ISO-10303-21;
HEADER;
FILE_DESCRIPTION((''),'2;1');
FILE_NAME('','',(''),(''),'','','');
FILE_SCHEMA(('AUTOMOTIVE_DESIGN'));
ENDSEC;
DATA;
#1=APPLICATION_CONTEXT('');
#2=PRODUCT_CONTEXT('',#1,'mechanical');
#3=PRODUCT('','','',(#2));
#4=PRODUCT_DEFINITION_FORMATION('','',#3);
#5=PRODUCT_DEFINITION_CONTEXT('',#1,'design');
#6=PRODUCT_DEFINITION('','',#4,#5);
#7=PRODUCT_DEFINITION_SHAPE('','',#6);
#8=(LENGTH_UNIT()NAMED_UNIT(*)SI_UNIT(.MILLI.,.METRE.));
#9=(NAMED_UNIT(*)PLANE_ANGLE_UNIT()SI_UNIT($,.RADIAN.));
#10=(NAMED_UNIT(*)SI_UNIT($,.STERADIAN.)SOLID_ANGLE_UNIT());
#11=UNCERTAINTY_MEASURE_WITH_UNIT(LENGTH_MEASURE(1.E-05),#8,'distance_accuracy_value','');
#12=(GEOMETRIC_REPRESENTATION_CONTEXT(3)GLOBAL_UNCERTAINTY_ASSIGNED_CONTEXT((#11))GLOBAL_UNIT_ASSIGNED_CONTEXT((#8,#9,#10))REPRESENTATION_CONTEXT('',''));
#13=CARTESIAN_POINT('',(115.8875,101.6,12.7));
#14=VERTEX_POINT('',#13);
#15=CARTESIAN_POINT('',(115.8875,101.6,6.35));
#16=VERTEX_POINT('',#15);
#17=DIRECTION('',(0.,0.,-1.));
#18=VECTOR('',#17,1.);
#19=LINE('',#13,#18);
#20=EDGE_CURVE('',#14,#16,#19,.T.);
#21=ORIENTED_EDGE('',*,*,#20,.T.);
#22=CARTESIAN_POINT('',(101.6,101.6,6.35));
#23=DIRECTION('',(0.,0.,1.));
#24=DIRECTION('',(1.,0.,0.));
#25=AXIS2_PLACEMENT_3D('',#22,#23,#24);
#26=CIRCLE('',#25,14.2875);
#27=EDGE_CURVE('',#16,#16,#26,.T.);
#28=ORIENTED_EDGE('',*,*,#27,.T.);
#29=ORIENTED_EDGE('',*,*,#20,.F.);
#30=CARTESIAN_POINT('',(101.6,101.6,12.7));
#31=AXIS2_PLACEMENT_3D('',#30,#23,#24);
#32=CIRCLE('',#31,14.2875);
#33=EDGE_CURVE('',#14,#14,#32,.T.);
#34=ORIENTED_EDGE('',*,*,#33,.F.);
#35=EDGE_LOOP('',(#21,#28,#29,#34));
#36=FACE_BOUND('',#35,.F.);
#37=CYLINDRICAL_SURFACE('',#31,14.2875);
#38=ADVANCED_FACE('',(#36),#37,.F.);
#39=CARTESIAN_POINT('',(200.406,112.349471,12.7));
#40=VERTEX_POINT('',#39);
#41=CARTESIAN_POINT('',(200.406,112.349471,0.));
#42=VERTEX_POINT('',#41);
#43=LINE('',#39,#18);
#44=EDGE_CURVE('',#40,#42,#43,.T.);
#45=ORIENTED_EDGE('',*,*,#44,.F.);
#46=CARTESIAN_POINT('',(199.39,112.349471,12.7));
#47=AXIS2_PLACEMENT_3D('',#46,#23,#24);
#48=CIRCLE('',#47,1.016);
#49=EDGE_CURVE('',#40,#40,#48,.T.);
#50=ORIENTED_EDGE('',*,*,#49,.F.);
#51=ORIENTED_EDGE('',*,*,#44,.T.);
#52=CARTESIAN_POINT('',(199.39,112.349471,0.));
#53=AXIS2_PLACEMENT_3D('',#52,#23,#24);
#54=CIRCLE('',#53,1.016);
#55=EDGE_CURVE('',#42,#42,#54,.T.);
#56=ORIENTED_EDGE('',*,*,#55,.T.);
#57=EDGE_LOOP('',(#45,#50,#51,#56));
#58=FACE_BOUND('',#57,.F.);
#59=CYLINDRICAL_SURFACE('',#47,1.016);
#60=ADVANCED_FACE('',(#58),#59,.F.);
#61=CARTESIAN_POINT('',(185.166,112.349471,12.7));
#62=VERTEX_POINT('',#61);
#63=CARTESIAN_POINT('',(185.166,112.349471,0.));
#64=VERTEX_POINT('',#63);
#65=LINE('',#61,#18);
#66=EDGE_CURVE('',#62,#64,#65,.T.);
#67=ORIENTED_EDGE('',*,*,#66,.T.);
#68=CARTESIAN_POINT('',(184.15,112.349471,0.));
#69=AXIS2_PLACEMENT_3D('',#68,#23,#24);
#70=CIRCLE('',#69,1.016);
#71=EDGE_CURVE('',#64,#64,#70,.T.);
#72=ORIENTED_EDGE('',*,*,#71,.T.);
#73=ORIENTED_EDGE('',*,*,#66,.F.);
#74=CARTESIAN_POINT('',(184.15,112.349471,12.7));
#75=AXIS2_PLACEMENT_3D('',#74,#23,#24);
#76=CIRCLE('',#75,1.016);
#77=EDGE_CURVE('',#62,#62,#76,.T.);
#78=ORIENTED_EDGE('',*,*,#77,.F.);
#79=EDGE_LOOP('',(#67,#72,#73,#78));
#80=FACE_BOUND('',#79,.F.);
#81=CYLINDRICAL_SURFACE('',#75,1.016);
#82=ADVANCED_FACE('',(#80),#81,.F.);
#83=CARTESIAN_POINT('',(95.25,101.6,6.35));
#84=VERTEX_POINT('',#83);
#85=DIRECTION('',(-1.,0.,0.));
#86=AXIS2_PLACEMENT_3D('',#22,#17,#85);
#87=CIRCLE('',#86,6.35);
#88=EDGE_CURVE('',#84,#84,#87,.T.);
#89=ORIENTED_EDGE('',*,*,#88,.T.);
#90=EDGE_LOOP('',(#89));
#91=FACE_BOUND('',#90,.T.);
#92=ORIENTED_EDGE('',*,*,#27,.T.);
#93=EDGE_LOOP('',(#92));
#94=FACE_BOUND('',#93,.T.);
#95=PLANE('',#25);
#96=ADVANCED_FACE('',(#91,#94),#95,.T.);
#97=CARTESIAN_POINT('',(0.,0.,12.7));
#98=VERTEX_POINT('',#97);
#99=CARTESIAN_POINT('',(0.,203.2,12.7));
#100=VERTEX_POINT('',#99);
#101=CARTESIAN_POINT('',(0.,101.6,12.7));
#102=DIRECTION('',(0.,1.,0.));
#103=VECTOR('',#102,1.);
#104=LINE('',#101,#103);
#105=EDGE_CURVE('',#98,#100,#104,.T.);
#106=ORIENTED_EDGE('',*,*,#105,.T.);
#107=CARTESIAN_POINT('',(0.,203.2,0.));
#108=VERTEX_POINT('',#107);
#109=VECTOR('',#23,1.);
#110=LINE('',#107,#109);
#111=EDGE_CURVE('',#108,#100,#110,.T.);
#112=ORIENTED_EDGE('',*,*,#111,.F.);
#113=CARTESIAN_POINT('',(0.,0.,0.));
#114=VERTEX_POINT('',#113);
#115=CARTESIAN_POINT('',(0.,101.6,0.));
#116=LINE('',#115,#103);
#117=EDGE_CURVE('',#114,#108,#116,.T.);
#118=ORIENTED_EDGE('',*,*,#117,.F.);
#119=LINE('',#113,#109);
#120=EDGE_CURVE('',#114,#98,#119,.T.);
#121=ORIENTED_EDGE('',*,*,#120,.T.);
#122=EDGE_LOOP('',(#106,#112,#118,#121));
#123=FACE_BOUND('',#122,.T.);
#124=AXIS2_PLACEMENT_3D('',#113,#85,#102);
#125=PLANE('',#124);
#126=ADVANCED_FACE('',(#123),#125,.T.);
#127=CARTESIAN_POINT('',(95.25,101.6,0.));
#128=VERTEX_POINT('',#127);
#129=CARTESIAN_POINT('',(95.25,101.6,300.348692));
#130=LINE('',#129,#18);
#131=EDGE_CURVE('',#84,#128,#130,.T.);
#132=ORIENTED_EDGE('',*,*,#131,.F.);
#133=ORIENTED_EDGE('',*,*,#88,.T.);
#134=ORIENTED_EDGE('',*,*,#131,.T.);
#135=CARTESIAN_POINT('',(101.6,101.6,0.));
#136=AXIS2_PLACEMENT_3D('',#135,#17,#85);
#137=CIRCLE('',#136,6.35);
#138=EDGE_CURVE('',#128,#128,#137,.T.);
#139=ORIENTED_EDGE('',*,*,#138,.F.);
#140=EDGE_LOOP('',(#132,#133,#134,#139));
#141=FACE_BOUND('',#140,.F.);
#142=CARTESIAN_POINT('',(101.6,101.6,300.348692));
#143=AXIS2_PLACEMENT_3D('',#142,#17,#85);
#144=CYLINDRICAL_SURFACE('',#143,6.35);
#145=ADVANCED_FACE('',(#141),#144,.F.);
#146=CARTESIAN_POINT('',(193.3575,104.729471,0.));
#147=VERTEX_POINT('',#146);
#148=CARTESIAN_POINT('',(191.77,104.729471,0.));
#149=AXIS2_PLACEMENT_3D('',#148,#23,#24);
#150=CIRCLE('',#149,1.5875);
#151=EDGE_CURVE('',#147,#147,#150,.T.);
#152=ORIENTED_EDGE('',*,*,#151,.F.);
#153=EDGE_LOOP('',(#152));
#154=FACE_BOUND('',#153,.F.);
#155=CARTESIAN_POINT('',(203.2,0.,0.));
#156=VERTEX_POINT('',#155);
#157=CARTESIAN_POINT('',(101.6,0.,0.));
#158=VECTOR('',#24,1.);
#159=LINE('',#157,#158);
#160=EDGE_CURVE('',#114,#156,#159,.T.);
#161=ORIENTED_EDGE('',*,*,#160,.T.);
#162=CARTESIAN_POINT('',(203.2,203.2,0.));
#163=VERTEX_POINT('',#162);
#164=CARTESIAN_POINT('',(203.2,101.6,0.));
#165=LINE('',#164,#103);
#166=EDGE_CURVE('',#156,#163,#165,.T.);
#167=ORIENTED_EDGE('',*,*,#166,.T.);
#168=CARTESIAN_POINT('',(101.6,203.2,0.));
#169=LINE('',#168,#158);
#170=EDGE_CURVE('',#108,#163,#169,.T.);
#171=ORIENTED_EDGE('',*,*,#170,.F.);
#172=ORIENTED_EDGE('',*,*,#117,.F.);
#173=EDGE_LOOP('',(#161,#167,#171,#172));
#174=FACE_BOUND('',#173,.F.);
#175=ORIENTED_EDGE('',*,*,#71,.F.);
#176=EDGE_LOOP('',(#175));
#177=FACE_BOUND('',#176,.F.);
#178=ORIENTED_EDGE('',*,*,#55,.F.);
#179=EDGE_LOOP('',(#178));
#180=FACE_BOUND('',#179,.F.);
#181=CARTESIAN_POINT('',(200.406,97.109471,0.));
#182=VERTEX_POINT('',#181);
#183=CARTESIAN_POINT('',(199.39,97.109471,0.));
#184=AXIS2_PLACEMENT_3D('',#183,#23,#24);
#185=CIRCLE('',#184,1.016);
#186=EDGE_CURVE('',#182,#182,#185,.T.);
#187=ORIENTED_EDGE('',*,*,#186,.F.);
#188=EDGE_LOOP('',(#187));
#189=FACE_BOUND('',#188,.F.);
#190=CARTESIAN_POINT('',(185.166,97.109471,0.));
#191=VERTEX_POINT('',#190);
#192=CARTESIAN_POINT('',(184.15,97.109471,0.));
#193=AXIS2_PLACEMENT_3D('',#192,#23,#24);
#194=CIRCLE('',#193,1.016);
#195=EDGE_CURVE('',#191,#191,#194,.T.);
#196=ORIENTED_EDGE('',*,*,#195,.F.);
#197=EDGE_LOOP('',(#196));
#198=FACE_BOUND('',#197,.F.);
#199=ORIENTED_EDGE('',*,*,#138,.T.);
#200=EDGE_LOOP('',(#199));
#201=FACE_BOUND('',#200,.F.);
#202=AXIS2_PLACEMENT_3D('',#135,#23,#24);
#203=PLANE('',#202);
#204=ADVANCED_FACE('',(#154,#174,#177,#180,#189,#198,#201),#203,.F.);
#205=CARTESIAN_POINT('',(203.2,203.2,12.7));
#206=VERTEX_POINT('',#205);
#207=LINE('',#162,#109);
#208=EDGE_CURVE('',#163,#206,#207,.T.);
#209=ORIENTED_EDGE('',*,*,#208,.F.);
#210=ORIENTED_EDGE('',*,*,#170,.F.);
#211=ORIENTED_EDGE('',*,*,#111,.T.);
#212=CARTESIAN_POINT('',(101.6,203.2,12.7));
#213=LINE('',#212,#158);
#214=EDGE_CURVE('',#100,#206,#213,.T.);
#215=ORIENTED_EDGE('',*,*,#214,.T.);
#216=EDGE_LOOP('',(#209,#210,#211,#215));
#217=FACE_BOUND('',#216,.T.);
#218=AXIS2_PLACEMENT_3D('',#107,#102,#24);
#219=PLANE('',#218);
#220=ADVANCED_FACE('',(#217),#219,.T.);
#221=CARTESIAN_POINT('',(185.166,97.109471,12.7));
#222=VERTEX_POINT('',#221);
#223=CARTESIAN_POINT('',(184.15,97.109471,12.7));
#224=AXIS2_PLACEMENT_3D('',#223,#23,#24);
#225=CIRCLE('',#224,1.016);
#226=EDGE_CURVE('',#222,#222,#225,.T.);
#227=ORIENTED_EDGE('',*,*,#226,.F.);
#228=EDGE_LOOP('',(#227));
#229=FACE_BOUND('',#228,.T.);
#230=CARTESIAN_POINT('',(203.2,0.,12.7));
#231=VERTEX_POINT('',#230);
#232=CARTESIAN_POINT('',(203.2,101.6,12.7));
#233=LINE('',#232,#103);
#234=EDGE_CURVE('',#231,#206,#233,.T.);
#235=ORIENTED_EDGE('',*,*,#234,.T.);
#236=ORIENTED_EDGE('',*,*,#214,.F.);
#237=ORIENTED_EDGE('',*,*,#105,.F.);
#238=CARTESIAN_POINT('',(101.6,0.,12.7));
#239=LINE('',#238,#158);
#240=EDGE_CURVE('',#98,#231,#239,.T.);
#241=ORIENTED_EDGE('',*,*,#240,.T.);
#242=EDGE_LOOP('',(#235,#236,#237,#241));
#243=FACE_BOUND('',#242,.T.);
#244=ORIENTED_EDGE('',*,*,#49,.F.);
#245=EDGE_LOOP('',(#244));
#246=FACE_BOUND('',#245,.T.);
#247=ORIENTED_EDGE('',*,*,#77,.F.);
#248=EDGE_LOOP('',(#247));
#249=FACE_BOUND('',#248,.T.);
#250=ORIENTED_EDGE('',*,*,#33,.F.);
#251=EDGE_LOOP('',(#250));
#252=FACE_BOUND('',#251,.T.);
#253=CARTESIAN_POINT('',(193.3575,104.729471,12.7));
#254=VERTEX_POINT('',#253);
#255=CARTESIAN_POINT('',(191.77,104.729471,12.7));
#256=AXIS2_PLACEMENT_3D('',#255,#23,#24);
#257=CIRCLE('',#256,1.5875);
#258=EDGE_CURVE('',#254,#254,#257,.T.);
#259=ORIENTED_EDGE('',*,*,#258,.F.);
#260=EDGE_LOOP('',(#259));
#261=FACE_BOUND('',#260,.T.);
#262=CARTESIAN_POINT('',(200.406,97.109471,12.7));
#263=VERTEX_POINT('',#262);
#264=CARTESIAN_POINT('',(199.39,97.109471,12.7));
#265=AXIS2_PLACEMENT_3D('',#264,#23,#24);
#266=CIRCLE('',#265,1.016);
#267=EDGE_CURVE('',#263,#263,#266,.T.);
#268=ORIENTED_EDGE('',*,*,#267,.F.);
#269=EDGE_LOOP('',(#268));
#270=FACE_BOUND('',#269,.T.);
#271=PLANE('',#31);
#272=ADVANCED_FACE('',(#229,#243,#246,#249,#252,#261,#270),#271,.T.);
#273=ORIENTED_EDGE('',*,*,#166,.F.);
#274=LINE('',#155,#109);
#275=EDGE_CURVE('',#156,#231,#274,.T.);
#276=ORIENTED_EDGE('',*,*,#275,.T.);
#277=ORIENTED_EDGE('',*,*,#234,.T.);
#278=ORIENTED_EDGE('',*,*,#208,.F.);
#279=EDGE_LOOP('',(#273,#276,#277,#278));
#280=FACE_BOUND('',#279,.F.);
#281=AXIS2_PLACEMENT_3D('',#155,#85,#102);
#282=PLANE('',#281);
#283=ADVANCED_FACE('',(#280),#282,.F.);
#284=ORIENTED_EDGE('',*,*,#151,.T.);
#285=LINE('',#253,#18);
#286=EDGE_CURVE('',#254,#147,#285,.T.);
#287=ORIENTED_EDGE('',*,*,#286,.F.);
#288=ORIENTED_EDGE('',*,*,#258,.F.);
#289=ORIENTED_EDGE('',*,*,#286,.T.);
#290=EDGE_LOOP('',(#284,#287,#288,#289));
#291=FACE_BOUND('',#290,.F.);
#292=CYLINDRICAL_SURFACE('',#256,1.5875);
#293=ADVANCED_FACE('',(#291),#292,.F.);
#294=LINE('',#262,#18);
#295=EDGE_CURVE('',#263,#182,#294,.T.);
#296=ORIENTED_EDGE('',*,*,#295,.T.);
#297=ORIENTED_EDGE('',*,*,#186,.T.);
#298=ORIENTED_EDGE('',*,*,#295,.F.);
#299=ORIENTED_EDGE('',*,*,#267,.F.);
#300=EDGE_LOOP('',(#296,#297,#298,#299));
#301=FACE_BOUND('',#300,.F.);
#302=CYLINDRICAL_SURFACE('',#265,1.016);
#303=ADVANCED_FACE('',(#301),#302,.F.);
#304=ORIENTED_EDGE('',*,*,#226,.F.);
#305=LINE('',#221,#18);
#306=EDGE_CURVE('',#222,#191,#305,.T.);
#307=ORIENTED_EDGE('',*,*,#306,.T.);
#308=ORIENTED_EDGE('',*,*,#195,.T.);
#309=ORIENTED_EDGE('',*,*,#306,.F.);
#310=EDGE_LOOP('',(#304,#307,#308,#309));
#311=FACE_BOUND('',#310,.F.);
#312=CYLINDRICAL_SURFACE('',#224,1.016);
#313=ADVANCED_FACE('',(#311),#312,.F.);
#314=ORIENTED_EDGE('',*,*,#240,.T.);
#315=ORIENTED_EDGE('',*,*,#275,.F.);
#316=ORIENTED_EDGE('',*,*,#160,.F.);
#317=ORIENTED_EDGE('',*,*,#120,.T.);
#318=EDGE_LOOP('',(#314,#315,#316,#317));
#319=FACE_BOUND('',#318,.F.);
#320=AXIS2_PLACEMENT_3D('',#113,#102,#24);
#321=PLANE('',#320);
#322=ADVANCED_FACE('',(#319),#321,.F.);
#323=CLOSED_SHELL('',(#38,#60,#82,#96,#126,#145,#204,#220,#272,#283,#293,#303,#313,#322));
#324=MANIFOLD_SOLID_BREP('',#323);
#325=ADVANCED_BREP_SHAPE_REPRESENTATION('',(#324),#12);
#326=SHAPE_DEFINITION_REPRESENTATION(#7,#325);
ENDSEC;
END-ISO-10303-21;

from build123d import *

# Parameters (mm, degrees)
SKETCH1_W                  = 203.2
SKETCH1_H                  = 203.2
BOSS_EXTRUDE1_DEPTH        = 12.7
F_1_2_0_5_DIAMETER_HOLE1_D = 12.7
SKETCH7_R                  = 14.2875
CUT_EXTRUDE1_DEPTH         = 6.35
SKETCH8_R                  = 1.5875
SKETCH8_R_2                = 1.016
CUT_EXTRUDE2_DEPTH         = 288.648691984


with BuildPart() as part:
    # Sketch1 → Boss-Extrude1 (new body)
    with BuildSketch(Plane.XY):
        with Locations((101.6, 101.6)):
            Rectangle(SKETCH1_W, SKETCH1_H)
    extrude(amount=BOSS_EXTRUDE1_DEPTH)

    # 1/2 (0.5) Diameter Hole1 (through all)
    with Locations(Plane.XY.offset(12.7)):
        with Locations((101.6, 101.6)):
            Hole(F_1_2_0_5_DIAMETER_HOLE1_D / 2)

    # Sketch7 → Cut-Extrude1 (cut)
    with BuildSketch(Plane.XY.offset(12.7)):
        with Locations((101.6, 101.6)):
            Circle(SKETCH7_R)
    extrude(amount=-CUT_EXTRUDE1_DEPTH, mode=Mode.SUBTRACT)

    # Sketch8 → Cut-Extrude2 (cut, through all)
    with BuildSketch(Plane.XY.offset(12.7)):
        with Locations((191.77, 104.729470927)):
            Circle(SKETCH8_R)
        with Locations((184.15, 112.349470927)):
            Circle(SKETCH8_R_2)
        with Locations((199.39, 112.349470927)):
            Circle(SKETCH8_R_2)
        with Locations((199.39, 97.109470927)):
            Circle(SKETCH8_R_2)
        with Locations((184.15, 97.109470927)):
            Circle(SKETCH8_R_2)
    extrude(amount=-CUT_EXTRUDE2_DEPTH, mode=Mode.SUBTRACT)


solid = part.part
